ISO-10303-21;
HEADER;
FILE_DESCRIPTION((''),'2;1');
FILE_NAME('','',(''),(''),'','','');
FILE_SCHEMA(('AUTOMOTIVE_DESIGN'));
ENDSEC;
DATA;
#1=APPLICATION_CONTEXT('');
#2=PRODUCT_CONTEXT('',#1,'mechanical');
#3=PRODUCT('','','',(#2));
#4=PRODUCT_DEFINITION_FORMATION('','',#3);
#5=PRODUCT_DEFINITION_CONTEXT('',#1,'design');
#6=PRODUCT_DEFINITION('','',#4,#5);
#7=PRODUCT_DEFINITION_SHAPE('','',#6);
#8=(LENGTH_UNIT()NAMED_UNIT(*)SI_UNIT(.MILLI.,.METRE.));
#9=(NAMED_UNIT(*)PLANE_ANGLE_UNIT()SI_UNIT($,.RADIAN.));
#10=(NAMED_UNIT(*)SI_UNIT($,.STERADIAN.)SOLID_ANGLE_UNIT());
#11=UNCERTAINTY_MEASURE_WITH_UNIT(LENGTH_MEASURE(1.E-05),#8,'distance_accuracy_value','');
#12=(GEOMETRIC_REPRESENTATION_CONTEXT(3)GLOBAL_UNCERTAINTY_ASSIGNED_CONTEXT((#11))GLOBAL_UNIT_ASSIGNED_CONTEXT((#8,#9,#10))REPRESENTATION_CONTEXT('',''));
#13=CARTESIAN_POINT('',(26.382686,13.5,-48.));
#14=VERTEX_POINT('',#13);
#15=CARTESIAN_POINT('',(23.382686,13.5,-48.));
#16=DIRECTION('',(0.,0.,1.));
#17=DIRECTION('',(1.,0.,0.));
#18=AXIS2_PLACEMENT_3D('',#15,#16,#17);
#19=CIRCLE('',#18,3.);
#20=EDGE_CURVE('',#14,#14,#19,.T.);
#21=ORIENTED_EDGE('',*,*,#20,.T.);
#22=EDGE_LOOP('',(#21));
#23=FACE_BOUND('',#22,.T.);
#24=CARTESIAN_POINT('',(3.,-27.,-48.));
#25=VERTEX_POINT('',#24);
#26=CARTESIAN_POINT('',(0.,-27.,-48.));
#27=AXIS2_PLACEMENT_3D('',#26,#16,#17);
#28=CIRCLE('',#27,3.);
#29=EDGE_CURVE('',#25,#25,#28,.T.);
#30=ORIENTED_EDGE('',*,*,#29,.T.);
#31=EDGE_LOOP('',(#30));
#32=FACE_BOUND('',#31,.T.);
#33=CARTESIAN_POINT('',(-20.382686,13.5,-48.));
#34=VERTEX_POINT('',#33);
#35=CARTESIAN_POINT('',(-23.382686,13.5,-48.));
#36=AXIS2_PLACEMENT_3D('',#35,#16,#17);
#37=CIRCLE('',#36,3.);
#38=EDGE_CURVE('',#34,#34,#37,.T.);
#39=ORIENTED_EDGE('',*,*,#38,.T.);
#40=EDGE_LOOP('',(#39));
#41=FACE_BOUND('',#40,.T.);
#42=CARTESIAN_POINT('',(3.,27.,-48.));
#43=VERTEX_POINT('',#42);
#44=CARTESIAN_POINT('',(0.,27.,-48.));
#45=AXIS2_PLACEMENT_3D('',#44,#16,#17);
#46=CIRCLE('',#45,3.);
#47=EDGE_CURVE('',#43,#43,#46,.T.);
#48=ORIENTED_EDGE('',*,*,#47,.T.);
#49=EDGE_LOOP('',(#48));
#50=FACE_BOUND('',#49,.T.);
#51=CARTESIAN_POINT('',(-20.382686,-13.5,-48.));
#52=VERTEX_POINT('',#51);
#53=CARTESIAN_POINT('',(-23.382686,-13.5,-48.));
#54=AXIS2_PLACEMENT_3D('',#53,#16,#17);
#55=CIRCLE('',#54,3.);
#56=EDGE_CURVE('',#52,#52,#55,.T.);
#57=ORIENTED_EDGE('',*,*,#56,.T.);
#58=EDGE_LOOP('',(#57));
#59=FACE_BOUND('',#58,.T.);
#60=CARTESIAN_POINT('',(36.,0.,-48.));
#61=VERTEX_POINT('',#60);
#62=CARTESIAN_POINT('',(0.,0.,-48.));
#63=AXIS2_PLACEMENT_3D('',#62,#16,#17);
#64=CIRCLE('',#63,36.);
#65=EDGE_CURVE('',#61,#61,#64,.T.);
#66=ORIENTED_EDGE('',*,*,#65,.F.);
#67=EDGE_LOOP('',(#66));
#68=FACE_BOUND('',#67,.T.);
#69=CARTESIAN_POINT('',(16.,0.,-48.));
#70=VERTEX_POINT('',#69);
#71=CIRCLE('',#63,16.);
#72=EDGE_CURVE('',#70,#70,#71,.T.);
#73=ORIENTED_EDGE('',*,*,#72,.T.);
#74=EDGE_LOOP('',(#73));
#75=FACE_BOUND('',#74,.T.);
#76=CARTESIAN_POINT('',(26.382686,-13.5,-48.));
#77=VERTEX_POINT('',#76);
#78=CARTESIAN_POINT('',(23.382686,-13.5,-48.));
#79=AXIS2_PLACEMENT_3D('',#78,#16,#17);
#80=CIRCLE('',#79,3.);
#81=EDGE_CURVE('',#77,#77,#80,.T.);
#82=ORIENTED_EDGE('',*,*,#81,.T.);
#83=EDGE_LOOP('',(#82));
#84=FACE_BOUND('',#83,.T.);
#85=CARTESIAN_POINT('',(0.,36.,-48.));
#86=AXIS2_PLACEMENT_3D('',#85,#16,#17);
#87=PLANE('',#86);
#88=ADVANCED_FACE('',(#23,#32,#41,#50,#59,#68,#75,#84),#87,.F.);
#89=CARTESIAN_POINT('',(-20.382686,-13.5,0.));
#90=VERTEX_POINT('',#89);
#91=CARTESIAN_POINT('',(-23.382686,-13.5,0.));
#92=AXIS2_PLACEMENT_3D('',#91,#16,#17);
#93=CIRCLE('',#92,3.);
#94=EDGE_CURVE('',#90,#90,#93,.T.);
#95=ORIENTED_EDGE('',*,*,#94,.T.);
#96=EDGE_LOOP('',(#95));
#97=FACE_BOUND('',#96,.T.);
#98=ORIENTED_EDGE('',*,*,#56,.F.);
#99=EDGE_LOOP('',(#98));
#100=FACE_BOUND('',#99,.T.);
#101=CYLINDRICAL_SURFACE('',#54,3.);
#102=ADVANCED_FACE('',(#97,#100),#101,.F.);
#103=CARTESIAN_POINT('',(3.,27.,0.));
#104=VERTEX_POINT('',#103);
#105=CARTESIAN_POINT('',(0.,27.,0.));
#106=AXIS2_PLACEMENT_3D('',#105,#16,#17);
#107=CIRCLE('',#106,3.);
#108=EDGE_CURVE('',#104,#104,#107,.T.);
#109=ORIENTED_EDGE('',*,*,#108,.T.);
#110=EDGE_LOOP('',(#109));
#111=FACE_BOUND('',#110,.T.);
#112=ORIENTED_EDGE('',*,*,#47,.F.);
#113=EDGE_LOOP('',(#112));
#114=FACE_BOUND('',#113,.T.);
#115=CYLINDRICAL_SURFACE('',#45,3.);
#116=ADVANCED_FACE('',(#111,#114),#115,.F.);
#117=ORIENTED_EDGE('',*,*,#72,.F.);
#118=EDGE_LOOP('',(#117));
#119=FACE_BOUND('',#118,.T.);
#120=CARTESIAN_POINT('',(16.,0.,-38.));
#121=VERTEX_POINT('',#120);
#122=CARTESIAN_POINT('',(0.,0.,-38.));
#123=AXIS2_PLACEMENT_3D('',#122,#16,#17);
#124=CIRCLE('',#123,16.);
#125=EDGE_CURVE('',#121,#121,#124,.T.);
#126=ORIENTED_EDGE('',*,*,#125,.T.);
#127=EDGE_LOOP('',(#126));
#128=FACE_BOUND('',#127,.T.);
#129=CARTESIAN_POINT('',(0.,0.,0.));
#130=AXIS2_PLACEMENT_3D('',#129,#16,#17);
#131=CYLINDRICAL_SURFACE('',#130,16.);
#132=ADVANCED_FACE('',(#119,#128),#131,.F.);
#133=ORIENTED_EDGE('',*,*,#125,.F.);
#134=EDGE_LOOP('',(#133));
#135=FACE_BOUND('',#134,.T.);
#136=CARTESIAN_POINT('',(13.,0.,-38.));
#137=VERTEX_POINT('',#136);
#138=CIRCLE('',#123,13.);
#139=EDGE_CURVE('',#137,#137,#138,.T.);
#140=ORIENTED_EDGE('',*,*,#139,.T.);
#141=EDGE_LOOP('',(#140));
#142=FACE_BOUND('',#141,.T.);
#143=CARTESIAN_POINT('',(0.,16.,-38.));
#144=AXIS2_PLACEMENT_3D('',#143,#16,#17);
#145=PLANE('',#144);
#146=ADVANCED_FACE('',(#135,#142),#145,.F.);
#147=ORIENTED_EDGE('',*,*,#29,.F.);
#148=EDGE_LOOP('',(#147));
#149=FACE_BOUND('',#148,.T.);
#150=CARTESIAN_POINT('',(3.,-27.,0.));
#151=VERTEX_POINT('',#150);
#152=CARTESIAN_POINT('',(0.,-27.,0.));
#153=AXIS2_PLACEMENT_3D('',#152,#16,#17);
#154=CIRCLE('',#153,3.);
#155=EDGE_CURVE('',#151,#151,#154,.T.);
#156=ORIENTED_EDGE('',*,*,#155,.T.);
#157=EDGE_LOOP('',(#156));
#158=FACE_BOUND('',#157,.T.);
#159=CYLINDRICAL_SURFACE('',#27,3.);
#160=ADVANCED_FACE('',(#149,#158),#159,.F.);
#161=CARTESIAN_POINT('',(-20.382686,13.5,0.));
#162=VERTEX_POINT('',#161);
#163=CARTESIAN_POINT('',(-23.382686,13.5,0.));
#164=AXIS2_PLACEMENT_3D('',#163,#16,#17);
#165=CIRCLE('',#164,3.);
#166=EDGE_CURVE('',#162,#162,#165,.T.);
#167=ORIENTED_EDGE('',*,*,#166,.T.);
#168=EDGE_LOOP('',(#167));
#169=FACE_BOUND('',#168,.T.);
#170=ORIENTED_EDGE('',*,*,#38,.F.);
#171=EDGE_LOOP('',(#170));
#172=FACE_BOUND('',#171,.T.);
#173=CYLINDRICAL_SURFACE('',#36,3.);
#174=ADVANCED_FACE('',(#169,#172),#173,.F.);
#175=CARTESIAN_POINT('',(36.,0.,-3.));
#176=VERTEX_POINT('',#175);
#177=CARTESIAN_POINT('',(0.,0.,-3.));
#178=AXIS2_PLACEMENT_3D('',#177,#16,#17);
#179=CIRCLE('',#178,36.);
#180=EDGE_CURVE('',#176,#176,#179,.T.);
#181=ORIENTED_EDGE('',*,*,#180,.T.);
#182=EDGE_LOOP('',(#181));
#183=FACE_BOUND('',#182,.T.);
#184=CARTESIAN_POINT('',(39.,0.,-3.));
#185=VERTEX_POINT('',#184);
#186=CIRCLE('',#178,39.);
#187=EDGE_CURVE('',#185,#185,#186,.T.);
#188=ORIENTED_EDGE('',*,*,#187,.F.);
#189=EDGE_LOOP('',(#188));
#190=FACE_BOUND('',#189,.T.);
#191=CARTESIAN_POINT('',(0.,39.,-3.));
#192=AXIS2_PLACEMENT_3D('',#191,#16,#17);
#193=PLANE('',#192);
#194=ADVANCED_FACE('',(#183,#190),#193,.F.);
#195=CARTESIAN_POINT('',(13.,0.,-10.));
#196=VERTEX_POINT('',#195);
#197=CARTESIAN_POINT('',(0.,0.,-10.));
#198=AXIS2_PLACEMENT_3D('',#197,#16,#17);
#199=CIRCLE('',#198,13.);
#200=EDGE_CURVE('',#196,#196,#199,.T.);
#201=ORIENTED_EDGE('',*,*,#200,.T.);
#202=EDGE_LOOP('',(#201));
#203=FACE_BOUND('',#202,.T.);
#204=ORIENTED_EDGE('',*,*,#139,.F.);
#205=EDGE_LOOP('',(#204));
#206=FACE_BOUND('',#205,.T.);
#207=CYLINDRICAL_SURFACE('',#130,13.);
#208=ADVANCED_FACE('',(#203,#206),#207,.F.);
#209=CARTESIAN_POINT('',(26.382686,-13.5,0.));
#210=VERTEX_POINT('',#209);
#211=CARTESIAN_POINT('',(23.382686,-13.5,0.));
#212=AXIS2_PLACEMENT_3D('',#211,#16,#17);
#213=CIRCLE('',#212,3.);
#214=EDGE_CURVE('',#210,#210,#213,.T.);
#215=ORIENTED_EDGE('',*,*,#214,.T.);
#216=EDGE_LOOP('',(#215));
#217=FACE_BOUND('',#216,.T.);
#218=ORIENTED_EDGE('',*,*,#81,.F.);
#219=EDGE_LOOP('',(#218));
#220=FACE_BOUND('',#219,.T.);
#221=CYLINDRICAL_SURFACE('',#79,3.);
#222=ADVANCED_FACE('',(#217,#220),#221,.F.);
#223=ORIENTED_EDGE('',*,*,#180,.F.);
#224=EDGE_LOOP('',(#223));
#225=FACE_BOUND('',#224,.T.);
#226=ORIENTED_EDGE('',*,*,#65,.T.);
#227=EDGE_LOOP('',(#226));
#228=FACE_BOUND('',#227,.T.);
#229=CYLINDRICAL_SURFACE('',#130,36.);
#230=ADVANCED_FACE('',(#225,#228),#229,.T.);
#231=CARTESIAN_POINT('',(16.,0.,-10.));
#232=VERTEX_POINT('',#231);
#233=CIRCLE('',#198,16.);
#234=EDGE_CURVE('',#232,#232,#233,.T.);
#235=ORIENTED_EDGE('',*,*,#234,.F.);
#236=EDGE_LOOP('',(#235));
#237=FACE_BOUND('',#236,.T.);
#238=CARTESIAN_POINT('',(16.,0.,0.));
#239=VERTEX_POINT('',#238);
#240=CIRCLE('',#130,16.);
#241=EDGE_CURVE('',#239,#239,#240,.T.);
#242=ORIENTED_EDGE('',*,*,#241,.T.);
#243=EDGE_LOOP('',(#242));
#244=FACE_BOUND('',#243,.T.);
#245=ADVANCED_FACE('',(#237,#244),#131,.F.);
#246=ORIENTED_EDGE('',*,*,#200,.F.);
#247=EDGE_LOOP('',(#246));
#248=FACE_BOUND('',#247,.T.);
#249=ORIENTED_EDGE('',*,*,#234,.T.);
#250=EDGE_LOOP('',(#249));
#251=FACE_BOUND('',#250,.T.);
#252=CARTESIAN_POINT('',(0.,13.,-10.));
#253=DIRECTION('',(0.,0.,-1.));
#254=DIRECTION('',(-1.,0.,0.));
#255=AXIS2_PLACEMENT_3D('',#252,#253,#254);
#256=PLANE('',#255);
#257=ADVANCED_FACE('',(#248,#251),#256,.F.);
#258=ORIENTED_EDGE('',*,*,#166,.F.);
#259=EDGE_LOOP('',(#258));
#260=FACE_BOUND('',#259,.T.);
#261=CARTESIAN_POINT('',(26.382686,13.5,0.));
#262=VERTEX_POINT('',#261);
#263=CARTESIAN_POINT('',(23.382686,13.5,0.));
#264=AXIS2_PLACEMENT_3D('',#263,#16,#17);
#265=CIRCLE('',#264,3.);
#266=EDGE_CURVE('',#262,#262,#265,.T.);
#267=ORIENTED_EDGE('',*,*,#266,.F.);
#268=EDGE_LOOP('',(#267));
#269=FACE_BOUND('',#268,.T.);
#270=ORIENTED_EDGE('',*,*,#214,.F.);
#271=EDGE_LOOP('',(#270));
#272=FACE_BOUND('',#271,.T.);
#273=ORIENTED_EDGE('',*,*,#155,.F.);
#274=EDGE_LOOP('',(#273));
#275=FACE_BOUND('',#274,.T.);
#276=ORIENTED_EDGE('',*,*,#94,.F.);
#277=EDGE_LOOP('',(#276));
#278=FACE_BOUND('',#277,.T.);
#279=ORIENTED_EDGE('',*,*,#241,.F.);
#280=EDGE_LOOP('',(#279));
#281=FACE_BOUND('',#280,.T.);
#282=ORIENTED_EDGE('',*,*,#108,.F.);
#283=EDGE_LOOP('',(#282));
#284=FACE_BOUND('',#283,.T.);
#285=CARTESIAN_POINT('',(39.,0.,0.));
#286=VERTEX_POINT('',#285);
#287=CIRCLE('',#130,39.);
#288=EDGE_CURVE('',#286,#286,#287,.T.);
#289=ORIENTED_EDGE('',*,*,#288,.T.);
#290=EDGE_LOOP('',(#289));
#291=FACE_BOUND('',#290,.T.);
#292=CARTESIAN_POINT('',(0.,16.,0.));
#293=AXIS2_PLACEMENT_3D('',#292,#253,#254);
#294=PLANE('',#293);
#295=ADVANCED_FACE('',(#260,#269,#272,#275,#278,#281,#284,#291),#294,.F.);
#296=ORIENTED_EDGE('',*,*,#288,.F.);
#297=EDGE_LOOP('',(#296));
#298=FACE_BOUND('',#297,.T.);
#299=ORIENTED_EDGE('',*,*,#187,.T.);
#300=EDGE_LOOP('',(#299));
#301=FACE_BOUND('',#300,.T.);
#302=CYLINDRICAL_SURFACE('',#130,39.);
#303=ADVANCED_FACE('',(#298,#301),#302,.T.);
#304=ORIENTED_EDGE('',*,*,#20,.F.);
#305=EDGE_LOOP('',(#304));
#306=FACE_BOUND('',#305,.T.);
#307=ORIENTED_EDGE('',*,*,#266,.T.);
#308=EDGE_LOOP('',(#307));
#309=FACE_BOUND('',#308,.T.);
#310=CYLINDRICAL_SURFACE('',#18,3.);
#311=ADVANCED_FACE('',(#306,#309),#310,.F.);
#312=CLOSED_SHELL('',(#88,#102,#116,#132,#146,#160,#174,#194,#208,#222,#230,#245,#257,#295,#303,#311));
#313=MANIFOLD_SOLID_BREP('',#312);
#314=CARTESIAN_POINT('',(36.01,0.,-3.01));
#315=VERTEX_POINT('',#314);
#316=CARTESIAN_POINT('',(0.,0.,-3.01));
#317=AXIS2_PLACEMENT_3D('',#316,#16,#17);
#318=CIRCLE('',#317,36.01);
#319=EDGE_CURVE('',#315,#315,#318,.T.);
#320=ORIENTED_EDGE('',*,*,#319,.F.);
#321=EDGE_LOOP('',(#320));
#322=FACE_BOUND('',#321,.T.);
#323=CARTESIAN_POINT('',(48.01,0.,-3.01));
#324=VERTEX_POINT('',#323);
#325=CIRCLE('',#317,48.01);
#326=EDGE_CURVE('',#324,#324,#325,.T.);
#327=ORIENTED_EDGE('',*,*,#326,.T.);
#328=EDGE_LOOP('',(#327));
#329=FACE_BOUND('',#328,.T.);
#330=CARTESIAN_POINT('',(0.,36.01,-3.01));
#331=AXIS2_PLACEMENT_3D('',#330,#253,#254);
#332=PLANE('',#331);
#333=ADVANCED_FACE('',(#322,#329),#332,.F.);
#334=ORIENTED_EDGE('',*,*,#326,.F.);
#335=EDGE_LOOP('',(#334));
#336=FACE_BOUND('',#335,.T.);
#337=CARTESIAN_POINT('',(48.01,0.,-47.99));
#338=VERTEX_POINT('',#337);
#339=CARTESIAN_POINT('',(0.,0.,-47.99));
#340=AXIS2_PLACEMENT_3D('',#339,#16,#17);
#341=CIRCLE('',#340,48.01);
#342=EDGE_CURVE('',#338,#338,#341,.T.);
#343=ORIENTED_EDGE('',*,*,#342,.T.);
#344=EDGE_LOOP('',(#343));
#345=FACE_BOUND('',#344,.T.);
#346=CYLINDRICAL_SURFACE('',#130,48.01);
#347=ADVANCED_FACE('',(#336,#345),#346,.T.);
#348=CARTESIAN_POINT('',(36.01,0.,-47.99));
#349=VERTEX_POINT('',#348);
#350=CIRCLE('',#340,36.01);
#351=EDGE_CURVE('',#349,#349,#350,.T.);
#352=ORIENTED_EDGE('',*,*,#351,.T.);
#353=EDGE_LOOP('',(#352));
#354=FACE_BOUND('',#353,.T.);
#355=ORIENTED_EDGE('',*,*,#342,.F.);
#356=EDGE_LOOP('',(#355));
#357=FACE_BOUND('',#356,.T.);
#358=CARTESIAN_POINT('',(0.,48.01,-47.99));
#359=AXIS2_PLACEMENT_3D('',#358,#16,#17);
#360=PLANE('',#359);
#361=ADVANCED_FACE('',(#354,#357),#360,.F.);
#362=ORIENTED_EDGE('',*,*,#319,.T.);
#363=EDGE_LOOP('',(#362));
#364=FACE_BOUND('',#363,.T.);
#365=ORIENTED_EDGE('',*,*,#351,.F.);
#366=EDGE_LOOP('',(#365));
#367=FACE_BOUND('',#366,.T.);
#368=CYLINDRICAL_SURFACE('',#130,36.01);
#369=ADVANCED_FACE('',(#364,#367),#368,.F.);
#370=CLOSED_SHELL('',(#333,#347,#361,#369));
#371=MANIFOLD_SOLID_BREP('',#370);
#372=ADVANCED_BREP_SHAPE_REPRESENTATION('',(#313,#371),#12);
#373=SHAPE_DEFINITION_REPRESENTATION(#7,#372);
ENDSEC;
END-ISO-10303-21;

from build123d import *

# Parameters (mm, degrees)
SKETCH2_W          = 44.98
SKETCH2_H          = 12
SKETCH3_R          = 3
CUT_EXTRUDE1_DEPTH = 84.14998617


with BuildPart() as part:
    # Sketch1 → Revolve1 (revolve)
    with BuildSketch(Plane(origin=(0, 0, 0), x_dir=(0, 0, -1), z_dir=(1, 0, 0)), mode=Mode.PRIVATE) as revolve1_sk:
        Polygon((0, 16), (0, 39), (3, 39), (3, 36), (48, 36), (48, 16), (38, 16), (38, 13), (10, 13), (10, 16), align=None)
    revolve(revolve1_sk.sketch.rotate(Axis((0, 0, 0), (0, 0, -1)), 90), axis=Axis((0, 0, 0), (0, 0, -1)))

    # Sketch3 → Cut-Extrude1 (cut, through all)
    with BuildSketch(Plane.XY):
        with Locations((0, 27)):
            Circle(SKETCH3_R)
        with Locations((23.382685902, 13.5)):
            Circle(SKETCH3_R)
        with Locations((23.382685902, -13.5)):
            Circle(SKETCH3_R)
        with Locations((0, -27)):
            Circle(SKETCH3_R)
        with Locations((-23.382685902, -13.5)):
            Circle(SKETCH3_R)
        with Locations((-23.382685902, 13.5)):
            Circle(SKETCH3_R)
    extrude(amount=-CUT_EXTRUDE1_DEPTH, mode=Mode.SUBTRACT)


with BuildPart() as body_2:
    # Sketch2 → Revolve2 (revolve)
    with BuildSketch(Plane(origin=(0, 0, 0), x_dir=(0, 0, -1), z_dir=(1, 0, 0)), mode=Mode.PRIVATE) as revolve2_sk:
        with Locations((25.5, 42.01)):
            Rectangle(SKETCH2_W, SKETCH2_H)
    revolve(revolve2_sk.sketch.rotate(Axis((0, 0, 0), (0, 0, -1)), 90), axis=Axis((0, 0, 0), (0, 0, -1)))


solid = Compound([part.part, body_2.part])
